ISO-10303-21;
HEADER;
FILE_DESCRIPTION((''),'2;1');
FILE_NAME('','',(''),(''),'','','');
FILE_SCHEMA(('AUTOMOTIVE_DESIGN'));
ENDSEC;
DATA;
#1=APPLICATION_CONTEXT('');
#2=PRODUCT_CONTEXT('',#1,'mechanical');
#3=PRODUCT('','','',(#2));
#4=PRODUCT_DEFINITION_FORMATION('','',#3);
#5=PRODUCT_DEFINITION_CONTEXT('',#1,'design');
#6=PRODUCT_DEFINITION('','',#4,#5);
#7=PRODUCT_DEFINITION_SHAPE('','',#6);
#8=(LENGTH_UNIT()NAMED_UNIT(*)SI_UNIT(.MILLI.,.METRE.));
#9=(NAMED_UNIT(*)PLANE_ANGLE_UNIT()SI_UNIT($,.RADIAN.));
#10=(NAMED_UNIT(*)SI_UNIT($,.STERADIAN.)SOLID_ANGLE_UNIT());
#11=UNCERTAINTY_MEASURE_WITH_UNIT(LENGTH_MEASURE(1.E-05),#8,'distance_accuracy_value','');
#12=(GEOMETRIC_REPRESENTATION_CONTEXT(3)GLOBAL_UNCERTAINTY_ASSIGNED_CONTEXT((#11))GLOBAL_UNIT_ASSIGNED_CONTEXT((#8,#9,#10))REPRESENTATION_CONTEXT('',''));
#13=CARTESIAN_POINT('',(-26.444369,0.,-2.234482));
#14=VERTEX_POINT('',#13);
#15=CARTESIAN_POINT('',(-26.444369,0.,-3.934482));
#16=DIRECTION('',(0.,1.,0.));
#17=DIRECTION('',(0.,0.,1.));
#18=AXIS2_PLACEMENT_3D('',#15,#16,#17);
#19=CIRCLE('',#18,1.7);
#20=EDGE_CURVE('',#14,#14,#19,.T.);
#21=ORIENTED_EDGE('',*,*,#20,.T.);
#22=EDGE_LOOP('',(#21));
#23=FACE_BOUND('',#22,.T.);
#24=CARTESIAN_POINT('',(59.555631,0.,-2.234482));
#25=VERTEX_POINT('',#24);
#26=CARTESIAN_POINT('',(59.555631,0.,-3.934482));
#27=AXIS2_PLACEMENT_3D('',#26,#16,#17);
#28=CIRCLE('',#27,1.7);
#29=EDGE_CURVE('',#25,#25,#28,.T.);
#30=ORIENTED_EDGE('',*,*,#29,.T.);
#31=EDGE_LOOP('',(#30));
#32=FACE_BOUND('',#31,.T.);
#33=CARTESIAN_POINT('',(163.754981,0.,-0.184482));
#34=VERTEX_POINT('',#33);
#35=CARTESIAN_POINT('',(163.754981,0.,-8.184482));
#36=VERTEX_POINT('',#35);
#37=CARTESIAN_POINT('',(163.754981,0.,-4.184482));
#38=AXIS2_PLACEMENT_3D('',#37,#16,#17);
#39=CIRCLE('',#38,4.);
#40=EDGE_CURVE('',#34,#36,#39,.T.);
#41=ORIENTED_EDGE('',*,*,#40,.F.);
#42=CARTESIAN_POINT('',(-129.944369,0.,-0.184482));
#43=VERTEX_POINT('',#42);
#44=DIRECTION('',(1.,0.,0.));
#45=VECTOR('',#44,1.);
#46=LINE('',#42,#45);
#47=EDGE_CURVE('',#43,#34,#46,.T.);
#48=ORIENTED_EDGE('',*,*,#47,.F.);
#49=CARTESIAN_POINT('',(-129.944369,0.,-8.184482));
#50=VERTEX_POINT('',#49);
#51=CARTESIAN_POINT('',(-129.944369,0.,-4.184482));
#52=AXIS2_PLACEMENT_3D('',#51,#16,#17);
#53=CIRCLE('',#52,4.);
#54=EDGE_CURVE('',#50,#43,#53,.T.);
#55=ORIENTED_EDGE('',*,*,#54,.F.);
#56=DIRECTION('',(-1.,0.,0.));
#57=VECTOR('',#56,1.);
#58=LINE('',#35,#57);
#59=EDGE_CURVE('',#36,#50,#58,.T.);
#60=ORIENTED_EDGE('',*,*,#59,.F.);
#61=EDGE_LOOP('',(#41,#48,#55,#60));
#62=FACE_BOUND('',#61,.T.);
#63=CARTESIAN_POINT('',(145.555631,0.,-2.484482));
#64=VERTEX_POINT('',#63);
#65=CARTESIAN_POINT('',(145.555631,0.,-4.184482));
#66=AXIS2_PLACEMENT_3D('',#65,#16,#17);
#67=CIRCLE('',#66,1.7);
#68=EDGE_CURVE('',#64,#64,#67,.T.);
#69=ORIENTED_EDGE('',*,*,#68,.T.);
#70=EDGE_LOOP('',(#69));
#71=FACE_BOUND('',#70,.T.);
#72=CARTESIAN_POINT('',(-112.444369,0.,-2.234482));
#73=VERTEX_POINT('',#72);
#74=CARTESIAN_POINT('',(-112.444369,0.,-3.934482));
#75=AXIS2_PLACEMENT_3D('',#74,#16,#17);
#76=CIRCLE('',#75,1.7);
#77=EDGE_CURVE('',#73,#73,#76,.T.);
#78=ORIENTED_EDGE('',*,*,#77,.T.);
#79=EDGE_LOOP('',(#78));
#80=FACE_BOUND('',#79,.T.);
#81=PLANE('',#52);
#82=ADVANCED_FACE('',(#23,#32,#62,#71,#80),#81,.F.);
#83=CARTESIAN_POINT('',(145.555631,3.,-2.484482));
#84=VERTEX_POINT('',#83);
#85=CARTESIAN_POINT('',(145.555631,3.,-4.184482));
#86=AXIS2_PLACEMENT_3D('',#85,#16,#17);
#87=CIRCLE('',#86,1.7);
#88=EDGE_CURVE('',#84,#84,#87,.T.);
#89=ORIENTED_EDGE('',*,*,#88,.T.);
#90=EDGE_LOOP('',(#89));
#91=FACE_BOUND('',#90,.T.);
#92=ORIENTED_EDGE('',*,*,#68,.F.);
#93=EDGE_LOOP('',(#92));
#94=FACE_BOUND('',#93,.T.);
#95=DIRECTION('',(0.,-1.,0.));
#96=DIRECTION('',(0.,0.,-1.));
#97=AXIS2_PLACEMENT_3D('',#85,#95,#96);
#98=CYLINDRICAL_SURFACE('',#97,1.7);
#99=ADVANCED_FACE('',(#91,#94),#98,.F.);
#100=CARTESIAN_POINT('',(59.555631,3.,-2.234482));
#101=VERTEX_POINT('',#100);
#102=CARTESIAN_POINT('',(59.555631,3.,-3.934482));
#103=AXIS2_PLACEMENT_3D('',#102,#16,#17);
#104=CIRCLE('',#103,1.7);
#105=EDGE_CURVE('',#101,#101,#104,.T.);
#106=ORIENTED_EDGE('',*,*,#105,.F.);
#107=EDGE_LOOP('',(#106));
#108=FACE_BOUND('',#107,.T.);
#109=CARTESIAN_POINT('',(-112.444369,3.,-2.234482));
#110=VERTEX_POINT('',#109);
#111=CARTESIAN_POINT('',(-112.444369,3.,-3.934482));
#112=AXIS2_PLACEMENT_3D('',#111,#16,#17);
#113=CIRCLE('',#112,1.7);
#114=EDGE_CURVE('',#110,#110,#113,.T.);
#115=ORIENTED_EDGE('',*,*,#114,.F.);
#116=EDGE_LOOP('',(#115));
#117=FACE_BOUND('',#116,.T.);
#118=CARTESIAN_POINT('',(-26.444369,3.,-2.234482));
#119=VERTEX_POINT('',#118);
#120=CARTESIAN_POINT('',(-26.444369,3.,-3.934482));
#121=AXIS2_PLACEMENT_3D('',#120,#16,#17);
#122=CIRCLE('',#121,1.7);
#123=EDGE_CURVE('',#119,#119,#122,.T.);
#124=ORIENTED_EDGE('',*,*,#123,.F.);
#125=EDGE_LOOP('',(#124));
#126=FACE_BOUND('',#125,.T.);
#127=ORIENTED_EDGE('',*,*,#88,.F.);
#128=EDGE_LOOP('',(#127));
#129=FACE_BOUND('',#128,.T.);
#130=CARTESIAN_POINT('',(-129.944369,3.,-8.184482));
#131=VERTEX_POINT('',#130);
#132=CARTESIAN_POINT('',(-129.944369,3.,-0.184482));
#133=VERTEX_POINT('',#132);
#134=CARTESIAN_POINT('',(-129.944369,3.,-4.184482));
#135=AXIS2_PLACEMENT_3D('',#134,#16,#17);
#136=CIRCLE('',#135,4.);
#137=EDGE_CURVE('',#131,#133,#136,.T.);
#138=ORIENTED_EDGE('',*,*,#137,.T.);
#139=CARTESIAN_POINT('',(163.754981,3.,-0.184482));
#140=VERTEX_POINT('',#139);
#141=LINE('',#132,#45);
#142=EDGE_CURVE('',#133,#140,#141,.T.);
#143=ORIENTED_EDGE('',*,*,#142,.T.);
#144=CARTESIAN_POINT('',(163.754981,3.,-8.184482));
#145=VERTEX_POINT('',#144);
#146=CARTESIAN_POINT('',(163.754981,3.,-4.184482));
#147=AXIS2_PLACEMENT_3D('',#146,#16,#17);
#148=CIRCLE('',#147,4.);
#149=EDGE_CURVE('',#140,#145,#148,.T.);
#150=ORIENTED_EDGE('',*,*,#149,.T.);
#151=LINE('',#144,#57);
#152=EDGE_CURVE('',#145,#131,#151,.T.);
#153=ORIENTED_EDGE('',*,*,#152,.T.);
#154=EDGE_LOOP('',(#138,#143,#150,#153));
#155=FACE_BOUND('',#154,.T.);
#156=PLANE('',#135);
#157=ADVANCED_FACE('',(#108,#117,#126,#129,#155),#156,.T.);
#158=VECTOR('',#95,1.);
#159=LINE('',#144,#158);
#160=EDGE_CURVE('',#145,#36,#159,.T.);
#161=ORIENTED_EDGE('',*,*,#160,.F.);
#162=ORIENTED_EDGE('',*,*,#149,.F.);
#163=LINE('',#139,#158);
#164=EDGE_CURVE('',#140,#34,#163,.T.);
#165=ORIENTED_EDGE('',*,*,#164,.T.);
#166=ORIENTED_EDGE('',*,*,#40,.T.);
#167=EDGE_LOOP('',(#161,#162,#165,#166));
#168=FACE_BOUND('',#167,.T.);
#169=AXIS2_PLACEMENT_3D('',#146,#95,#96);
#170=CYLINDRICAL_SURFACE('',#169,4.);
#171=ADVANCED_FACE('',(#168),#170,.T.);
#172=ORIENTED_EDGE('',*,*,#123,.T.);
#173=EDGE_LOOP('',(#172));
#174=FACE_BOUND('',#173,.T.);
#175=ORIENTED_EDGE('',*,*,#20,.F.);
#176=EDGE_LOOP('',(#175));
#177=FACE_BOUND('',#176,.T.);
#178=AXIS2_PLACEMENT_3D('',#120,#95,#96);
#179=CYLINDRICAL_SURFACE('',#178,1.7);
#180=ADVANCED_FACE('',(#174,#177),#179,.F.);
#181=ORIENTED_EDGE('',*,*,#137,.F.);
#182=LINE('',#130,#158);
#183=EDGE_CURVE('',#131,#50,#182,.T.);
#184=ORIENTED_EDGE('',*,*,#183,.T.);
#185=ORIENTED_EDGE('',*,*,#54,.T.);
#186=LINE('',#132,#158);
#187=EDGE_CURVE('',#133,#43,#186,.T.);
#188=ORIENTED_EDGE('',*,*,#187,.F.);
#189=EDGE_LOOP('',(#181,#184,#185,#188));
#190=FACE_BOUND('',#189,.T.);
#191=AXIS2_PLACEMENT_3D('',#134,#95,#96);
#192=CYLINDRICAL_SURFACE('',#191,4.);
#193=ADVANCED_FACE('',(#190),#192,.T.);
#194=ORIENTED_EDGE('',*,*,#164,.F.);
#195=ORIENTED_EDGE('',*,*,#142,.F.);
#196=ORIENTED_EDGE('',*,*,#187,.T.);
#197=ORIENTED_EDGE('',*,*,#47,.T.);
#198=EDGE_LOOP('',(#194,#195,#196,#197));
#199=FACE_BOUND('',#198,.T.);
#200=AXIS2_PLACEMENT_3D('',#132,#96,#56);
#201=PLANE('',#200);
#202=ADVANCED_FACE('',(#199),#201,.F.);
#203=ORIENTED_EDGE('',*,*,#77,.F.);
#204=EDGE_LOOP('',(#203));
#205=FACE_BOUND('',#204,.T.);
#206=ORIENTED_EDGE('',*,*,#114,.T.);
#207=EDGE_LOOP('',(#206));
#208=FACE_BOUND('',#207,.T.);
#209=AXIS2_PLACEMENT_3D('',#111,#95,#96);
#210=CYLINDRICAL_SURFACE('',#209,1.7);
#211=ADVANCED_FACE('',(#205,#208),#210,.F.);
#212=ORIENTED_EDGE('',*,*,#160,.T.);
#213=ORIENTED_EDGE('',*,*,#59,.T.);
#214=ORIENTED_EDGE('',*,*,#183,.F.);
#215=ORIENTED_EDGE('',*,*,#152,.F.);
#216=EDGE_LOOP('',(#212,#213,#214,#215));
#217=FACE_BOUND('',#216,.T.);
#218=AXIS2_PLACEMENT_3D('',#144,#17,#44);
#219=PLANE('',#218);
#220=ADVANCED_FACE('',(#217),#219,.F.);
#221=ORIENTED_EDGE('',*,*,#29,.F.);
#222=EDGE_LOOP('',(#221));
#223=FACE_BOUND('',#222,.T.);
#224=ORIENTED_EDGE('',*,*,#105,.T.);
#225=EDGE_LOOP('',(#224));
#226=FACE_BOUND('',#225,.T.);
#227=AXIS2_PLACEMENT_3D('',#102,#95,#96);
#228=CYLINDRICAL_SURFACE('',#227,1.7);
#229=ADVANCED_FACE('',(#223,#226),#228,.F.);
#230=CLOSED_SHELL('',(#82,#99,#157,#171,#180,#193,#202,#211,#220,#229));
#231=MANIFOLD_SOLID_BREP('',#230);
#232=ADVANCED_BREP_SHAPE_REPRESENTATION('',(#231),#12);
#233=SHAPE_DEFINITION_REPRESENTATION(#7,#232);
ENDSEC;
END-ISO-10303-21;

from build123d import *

# Parameters (mm, degrees)
SKETCH2_R           = 1.7
BOSS_EXTRUDE1_DEPTH = 3


with BuildPart() as part:
    # Sketch2 → Boss-Extrude1 (new body)
    with BuildSketch(Plane(origin=(0, 0, 0), x_dir=(1, 0, 0), z_dir=(0, 1, 0))):
        with BuildLine():
            Line((-129.94436932, 0.184481604), (163.75498068, 0.184481604))
            ThreePointArc((163.75498068, 0.184481604), (166.583407805, 1.356054479), (167.75498068, 4.184481604))
            ThreePointArc((167.75498068, 4.184481604), (166.583407805, 7.012908729), (163.75498068, 8.184481604))
            Line((163.75498068, 8.184481604), (-129.94436932, 8.184481604))
            ThreePointArc((-129.94436932, 8.184481604), (-132.772796445, 7.012908729), (-133.94436932, 4.184481604))
            ThreePointArc((-133.94436932, 4.184481604), (-132.772796445, 1.356054479), (-129.94436932, 0.184481604))
        make_face()
        with Locations((145.55563068, 4.184481604)):
            Circle(SKETCH2_R, mode=Mode.SUBTRACT)
        with Locations((59.55563068, 3.934481604)):
            Circle(SKETCH2_R, mode=Mode.SUBTRACT)
        with Locations((-112.44436932, 3.934481604)):
            Circle(SKETCH2_R, mode=Mode.SUBTRACT)
        with Locations((-26.44436932, 3.934481604)):
            Circle(SKETCH2_R, mode=Mode.SUBTRACT)
    extrude(amount=BOSS_EXTRUDE1_DEPTH)


solid = part.part
